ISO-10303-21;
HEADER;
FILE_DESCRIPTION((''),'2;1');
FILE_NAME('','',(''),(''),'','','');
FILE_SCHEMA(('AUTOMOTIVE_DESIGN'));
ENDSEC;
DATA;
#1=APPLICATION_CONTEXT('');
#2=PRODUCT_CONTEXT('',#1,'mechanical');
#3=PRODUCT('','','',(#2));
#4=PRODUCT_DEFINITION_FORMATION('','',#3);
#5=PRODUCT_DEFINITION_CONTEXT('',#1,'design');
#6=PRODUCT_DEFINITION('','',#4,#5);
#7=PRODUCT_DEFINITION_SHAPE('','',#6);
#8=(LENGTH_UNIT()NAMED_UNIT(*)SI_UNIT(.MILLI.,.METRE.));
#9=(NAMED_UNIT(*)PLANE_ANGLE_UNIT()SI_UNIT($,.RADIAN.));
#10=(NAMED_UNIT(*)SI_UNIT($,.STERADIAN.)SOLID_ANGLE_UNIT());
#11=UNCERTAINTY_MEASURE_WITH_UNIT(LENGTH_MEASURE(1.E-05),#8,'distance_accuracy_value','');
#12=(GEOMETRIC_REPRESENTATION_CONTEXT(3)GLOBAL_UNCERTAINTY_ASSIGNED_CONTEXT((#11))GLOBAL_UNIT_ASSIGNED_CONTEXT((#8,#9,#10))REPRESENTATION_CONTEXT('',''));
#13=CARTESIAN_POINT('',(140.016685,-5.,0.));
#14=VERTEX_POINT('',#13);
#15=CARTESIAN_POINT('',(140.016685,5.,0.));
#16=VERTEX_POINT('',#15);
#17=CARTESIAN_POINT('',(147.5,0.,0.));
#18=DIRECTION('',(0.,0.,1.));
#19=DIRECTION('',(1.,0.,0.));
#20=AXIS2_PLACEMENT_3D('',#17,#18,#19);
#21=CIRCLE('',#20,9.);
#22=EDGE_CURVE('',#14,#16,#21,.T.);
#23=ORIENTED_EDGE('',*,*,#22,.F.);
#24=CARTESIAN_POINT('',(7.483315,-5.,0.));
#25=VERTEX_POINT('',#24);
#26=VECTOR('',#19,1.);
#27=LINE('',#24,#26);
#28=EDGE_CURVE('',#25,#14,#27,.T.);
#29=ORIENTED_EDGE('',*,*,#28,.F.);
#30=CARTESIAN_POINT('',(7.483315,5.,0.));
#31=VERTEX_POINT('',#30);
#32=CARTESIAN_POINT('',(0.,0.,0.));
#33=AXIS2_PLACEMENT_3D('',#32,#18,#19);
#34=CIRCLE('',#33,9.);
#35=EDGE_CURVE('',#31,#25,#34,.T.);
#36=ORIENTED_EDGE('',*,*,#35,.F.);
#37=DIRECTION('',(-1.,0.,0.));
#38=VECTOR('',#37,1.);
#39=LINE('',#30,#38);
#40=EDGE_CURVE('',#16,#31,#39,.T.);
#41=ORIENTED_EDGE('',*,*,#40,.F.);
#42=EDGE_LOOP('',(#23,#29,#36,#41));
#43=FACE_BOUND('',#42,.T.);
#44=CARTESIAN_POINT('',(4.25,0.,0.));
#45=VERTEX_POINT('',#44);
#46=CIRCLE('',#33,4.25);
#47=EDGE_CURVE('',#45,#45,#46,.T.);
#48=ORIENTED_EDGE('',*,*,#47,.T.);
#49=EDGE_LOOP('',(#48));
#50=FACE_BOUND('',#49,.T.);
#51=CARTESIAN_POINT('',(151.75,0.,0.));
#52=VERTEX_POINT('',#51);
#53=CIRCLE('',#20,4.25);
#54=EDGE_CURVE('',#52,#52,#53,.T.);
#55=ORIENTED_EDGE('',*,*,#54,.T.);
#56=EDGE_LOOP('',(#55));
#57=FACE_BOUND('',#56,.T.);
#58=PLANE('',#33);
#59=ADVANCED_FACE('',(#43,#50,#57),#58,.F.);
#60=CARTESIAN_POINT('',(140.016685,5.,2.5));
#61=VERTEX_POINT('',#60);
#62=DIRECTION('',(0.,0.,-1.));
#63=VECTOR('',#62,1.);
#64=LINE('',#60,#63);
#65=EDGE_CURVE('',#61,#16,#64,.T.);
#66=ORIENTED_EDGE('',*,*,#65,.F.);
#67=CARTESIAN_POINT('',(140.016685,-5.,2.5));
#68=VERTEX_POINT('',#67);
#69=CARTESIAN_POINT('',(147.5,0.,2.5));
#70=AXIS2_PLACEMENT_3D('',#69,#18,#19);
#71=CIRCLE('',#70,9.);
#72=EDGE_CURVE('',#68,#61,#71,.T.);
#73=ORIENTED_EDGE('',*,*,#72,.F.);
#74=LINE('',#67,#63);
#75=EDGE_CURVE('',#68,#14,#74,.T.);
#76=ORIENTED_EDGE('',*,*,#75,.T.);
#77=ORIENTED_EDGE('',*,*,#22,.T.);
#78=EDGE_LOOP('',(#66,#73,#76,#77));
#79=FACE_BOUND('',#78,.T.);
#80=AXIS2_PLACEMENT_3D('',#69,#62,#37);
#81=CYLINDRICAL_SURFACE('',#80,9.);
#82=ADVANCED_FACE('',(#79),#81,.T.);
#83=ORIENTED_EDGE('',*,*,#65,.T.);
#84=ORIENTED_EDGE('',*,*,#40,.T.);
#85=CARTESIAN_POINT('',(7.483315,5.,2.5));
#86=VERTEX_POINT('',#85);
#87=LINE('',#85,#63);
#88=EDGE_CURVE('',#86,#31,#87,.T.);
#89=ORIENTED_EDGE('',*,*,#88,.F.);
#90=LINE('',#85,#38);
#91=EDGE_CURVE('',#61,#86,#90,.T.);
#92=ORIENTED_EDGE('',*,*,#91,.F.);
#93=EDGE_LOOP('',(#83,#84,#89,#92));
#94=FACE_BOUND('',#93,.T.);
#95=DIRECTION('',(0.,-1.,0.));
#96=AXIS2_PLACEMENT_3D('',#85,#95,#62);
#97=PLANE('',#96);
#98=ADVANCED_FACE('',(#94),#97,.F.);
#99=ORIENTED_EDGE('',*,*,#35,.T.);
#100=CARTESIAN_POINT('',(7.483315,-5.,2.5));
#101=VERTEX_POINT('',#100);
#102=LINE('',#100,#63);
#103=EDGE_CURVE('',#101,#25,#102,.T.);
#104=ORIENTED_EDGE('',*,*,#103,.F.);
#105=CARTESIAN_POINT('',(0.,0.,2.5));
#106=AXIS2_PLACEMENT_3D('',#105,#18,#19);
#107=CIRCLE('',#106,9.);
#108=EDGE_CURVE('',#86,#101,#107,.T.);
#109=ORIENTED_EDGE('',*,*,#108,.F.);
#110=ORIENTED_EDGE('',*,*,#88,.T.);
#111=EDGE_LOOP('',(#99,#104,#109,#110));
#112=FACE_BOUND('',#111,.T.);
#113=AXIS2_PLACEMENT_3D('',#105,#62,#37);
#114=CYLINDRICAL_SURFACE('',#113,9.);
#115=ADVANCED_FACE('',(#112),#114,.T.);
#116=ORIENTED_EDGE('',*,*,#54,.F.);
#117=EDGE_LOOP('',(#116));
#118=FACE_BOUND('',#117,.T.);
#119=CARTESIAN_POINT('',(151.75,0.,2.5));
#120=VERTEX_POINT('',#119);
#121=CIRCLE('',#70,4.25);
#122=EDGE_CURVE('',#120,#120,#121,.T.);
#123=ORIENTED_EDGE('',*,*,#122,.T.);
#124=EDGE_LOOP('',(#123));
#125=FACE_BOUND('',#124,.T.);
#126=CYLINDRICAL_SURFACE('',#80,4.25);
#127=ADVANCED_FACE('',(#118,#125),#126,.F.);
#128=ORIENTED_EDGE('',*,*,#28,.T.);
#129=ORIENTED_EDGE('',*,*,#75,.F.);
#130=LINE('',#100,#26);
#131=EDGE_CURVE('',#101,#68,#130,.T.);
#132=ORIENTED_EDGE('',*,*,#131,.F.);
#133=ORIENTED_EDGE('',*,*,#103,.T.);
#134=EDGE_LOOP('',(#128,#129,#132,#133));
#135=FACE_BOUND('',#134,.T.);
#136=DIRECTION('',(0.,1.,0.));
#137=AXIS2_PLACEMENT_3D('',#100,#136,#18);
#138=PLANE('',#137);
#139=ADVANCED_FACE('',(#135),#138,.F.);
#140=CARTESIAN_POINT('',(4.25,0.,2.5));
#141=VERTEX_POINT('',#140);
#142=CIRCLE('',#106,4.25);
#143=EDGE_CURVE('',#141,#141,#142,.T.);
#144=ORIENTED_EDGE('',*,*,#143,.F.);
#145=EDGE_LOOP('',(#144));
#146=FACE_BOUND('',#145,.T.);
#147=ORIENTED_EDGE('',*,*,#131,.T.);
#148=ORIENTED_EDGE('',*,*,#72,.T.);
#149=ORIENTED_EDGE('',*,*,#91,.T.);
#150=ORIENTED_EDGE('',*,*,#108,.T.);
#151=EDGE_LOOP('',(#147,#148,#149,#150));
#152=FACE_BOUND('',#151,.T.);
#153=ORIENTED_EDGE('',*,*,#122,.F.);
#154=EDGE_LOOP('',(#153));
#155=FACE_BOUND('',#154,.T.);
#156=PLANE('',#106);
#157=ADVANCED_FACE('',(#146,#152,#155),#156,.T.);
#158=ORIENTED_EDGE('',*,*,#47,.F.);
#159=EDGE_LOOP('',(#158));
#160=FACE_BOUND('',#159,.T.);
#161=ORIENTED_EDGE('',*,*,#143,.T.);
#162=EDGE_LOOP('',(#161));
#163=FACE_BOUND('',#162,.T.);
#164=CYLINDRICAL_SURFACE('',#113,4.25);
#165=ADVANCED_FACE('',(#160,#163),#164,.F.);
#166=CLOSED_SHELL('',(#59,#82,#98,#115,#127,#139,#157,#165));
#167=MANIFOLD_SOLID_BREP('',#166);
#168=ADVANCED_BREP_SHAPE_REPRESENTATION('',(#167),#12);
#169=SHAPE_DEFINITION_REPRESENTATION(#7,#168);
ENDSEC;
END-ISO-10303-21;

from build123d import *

# Parameters (mm, degrees)
SKETCH_1_R      = 4.25
EXTRUDE_1_DEPTH = 2.5


with BuildPart() as part:
    # 草图1 → 凸台-拉伸1 (new body)
    with BuildSketch(Plane.XY):
        with BuildLine():
            Line((7.483314774, 5), (140.016685226, 5))
            ThreePointArc((140.016685226, 5), (156.5, 0), (140.016685226, -5))
            Line((140.016685226, -5), (7.483314774, -5))
            ThreePointArc((7.483314774, -5), (-9, 0), (7.483314774, 5))
        make_face()
        Circle(SKETCH_1_R, mode=Mode.SUBTRACT)
        with Locations((147.5, 0)):
            Circle(SKETCH_1_R, mode=Mode.SUBTRACT)
    extrude(amount=EXTRUDE_1_DEPTH)


solid = part.part
